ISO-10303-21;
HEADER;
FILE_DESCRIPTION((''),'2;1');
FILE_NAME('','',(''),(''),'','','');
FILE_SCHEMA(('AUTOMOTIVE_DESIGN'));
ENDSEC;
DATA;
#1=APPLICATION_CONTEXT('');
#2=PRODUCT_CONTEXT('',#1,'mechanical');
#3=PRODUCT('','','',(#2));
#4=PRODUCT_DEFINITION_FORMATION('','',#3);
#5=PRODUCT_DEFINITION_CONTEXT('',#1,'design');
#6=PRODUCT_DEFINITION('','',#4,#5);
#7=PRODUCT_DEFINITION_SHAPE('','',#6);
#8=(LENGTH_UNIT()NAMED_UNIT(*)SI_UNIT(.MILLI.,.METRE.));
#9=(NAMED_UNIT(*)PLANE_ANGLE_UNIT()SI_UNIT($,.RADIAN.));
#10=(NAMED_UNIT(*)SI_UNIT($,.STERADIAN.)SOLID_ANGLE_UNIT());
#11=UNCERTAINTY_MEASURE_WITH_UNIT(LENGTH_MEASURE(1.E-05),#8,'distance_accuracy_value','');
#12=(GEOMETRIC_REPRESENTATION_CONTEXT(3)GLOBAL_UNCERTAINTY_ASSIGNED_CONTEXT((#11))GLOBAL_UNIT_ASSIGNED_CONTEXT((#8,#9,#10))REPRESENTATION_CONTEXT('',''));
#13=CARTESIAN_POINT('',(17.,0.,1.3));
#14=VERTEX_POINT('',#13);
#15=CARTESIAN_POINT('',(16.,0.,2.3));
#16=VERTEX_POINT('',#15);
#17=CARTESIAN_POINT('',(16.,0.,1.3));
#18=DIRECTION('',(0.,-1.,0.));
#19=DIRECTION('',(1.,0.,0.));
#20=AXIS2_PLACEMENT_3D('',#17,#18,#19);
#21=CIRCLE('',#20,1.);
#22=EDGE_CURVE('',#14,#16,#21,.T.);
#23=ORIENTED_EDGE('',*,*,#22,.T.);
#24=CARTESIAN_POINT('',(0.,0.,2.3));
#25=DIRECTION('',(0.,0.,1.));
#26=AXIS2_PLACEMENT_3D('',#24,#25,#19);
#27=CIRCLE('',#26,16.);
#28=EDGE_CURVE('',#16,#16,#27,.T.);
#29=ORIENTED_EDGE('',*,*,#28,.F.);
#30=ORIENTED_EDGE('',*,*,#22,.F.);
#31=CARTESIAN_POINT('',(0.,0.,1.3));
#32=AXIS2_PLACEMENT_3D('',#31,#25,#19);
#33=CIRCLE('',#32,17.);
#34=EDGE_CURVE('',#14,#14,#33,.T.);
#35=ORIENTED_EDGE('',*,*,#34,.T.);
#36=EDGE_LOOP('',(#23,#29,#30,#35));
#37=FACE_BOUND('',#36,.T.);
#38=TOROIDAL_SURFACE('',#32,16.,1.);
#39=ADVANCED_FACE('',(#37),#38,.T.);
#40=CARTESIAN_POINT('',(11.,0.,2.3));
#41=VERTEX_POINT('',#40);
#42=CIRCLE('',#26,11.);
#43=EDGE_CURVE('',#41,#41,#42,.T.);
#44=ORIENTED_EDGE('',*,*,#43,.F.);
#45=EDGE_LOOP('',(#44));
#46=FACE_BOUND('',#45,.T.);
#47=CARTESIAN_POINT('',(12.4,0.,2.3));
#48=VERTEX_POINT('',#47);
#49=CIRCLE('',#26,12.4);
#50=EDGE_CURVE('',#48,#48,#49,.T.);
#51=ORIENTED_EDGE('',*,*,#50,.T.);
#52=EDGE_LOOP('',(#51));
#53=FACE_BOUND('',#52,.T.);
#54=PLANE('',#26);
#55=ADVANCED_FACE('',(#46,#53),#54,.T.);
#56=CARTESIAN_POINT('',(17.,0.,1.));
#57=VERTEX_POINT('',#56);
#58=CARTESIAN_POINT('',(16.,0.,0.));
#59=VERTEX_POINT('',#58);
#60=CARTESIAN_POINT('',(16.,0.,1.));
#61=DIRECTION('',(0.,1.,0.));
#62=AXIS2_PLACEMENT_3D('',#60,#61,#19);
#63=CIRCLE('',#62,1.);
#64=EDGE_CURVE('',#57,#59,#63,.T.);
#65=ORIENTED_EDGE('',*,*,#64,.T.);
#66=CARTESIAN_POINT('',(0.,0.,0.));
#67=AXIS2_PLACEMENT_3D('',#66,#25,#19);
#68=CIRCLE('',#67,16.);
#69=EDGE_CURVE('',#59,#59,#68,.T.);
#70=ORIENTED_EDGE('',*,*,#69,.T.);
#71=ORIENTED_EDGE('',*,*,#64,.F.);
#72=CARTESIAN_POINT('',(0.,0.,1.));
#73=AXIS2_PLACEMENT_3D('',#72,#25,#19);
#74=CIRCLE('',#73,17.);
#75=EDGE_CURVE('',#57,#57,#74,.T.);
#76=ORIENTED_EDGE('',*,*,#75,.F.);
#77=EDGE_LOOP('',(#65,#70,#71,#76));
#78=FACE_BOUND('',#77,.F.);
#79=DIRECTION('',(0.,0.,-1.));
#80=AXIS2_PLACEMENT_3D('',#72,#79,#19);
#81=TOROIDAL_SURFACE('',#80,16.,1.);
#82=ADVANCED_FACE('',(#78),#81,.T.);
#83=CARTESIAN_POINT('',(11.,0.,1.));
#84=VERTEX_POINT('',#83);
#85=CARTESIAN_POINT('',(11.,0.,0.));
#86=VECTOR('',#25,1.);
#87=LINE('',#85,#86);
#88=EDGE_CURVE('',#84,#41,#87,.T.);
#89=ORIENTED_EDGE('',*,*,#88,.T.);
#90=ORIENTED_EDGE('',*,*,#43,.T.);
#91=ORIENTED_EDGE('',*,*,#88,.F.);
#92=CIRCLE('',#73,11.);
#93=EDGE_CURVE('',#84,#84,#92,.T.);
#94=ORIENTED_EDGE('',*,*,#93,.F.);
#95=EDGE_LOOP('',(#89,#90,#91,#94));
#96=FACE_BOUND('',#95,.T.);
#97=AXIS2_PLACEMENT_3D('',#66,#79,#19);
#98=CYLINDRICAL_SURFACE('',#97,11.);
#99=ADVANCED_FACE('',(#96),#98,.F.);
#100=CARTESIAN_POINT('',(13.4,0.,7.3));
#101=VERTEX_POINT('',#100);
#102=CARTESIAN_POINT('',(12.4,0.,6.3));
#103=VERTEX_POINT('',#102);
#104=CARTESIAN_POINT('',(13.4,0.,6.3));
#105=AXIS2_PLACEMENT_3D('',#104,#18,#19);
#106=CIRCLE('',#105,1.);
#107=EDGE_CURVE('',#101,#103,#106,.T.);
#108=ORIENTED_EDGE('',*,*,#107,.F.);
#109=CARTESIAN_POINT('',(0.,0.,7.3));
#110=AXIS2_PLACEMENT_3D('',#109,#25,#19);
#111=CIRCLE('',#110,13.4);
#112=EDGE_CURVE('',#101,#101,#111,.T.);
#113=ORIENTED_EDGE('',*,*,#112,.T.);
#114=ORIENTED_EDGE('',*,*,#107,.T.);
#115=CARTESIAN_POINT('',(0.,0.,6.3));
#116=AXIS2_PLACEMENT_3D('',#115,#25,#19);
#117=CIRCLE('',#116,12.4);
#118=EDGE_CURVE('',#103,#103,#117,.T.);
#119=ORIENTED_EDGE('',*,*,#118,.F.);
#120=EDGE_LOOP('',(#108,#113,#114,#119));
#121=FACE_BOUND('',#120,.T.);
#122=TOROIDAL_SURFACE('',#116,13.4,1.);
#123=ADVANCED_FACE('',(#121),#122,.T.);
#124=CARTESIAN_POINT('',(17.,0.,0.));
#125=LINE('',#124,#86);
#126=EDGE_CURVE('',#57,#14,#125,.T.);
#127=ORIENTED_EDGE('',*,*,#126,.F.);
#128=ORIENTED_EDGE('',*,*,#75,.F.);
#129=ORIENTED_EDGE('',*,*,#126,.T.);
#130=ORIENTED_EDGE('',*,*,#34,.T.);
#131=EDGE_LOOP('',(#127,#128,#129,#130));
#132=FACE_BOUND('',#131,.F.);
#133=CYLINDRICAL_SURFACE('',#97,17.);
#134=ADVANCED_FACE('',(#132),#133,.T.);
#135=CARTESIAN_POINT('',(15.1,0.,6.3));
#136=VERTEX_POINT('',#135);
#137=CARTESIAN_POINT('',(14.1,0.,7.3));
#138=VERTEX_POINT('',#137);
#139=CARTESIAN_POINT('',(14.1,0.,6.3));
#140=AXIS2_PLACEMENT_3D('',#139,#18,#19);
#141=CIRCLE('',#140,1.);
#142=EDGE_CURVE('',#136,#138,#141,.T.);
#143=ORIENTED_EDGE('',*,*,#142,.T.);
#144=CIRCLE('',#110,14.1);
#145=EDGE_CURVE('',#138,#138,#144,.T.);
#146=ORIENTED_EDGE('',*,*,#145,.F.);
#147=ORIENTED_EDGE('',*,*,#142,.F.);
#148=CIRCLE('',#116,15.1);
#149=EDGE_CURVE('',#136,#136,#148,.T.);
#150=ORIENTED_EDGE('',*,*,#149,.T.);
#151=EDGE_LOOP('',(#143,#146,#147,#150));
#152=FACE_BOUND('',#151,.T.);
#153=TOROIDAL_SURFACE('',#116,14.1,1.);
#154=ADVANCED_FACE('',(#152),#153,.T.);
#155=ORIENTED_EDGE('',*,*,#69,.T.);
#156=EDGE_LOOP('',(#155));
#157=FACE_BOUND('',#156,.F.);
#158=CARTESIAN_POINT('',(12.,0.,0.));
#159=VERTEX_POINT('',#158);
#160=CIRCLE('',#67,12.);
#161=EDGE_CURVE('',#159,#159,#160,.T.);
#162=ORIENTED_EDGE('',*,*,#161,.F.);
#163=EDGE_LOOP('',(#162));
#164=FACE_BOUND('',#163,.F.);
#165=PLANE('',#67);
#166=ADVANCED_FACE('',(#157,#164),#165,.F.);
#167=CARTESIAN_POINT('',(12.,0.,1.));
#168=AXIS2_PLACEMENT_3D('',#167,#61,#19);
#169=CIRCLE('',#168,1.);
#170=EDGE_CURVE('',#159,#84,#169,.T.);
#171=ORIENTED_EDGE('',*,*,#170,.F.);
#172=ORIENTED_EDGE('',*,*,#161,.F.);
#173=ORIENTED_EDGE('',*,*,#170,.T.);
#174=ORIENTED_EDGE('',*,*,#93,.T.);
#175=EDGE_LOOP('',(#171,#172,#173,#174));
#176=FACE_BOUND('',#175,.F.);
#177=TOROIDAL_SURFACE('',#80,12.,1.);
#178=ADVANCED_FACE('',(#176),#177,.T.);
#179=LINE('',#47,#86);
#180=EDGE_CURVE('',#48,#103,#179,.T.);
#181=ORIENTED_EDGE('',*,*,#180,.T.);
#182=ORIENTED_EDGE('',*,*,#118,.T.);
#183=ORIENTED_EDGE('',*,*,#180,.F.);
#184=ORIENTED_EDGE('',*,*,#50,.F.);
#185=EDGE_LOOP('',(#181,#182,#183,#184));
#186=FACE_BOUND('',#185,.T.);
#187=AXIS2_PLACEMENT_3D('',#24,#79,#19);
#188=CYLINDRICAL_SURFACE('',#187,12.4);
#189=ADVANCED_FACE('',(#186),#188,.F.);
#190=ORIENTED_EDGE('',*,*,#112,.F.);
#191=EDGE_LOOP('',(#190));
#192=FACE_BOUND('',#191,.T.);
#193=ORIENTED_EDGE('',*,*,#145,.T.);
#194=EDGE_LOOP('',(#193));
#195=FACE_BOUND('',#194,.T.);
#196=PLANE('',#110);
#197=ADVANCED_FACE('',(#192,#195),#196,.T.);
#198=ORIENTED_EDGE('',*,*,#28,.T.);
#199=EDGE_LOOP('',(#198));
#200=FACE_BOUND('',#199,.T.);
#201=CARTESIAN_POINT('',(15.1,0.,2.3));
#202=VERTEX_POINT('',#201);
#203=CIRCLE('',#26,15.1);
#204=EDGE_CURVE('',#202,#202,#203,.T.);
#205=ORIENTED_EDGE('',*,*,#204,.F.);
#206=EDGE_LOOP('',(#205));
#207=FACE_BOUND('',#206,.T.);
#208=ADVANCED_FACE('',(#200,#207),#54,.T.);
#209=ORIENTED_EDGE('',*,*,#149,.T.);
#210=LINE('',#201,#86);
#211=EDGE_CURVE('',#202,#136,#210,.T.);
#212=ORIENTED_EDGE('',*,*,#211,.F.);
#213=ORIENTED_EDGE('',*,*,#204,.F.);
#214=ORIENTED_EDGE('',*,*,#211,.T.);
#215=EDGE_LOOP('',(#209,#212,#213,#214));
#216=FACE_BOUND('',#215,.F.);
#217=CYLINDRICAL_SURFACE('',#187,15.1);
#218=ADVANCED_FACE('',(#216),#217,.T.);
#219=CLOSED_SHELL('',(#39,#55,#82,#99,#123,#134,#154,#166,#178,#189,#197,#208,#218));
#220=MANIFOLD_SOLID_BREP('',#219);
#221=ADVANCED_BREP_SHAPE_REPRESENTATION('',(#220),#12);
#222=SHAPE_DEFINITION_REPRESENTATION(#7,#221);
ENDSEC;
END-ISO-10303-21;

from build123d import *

# Parameters (mm, degrees)
F0_R     = 17
F0_R_2   = 11
F1_DEPTH = 2.3
F2_R     = 15.1
F2_R_2   = 12.4
F3_DEPTH = 5
F4_R     = 1


with BuildPart() as f1:
    # F0 (on Top) → F1 (new body)
    with BuildSketch(Plane.XY):
        Circle(F0_R)
        Circle(F0_R_2, mode=Mode.SUBTRACT)
    extrude(amount=F1_DEPTH)

    # F2 (on face) → F3 (join)
    with BuildSketch(Plane.XY.offset(2.3)):
        Circle(F2_R)
        Circle(F2_R_2, mode=Mode.SUBTRACT)
    extrude(amount=F3_DEPTH)

    # F4
    f4_edges = [f1.edges().sort_by_distance(p)[0] for p in [
        (-17, 0, 0),
        (-11, 0, 0),
        (-15.1, 0, 7.3),
        (-12.4, 0, 7.3),
        (-17, 0, 2.3),
    ]]
    fillet(f4_edges, radius=F4_R)


solid = f1.part
